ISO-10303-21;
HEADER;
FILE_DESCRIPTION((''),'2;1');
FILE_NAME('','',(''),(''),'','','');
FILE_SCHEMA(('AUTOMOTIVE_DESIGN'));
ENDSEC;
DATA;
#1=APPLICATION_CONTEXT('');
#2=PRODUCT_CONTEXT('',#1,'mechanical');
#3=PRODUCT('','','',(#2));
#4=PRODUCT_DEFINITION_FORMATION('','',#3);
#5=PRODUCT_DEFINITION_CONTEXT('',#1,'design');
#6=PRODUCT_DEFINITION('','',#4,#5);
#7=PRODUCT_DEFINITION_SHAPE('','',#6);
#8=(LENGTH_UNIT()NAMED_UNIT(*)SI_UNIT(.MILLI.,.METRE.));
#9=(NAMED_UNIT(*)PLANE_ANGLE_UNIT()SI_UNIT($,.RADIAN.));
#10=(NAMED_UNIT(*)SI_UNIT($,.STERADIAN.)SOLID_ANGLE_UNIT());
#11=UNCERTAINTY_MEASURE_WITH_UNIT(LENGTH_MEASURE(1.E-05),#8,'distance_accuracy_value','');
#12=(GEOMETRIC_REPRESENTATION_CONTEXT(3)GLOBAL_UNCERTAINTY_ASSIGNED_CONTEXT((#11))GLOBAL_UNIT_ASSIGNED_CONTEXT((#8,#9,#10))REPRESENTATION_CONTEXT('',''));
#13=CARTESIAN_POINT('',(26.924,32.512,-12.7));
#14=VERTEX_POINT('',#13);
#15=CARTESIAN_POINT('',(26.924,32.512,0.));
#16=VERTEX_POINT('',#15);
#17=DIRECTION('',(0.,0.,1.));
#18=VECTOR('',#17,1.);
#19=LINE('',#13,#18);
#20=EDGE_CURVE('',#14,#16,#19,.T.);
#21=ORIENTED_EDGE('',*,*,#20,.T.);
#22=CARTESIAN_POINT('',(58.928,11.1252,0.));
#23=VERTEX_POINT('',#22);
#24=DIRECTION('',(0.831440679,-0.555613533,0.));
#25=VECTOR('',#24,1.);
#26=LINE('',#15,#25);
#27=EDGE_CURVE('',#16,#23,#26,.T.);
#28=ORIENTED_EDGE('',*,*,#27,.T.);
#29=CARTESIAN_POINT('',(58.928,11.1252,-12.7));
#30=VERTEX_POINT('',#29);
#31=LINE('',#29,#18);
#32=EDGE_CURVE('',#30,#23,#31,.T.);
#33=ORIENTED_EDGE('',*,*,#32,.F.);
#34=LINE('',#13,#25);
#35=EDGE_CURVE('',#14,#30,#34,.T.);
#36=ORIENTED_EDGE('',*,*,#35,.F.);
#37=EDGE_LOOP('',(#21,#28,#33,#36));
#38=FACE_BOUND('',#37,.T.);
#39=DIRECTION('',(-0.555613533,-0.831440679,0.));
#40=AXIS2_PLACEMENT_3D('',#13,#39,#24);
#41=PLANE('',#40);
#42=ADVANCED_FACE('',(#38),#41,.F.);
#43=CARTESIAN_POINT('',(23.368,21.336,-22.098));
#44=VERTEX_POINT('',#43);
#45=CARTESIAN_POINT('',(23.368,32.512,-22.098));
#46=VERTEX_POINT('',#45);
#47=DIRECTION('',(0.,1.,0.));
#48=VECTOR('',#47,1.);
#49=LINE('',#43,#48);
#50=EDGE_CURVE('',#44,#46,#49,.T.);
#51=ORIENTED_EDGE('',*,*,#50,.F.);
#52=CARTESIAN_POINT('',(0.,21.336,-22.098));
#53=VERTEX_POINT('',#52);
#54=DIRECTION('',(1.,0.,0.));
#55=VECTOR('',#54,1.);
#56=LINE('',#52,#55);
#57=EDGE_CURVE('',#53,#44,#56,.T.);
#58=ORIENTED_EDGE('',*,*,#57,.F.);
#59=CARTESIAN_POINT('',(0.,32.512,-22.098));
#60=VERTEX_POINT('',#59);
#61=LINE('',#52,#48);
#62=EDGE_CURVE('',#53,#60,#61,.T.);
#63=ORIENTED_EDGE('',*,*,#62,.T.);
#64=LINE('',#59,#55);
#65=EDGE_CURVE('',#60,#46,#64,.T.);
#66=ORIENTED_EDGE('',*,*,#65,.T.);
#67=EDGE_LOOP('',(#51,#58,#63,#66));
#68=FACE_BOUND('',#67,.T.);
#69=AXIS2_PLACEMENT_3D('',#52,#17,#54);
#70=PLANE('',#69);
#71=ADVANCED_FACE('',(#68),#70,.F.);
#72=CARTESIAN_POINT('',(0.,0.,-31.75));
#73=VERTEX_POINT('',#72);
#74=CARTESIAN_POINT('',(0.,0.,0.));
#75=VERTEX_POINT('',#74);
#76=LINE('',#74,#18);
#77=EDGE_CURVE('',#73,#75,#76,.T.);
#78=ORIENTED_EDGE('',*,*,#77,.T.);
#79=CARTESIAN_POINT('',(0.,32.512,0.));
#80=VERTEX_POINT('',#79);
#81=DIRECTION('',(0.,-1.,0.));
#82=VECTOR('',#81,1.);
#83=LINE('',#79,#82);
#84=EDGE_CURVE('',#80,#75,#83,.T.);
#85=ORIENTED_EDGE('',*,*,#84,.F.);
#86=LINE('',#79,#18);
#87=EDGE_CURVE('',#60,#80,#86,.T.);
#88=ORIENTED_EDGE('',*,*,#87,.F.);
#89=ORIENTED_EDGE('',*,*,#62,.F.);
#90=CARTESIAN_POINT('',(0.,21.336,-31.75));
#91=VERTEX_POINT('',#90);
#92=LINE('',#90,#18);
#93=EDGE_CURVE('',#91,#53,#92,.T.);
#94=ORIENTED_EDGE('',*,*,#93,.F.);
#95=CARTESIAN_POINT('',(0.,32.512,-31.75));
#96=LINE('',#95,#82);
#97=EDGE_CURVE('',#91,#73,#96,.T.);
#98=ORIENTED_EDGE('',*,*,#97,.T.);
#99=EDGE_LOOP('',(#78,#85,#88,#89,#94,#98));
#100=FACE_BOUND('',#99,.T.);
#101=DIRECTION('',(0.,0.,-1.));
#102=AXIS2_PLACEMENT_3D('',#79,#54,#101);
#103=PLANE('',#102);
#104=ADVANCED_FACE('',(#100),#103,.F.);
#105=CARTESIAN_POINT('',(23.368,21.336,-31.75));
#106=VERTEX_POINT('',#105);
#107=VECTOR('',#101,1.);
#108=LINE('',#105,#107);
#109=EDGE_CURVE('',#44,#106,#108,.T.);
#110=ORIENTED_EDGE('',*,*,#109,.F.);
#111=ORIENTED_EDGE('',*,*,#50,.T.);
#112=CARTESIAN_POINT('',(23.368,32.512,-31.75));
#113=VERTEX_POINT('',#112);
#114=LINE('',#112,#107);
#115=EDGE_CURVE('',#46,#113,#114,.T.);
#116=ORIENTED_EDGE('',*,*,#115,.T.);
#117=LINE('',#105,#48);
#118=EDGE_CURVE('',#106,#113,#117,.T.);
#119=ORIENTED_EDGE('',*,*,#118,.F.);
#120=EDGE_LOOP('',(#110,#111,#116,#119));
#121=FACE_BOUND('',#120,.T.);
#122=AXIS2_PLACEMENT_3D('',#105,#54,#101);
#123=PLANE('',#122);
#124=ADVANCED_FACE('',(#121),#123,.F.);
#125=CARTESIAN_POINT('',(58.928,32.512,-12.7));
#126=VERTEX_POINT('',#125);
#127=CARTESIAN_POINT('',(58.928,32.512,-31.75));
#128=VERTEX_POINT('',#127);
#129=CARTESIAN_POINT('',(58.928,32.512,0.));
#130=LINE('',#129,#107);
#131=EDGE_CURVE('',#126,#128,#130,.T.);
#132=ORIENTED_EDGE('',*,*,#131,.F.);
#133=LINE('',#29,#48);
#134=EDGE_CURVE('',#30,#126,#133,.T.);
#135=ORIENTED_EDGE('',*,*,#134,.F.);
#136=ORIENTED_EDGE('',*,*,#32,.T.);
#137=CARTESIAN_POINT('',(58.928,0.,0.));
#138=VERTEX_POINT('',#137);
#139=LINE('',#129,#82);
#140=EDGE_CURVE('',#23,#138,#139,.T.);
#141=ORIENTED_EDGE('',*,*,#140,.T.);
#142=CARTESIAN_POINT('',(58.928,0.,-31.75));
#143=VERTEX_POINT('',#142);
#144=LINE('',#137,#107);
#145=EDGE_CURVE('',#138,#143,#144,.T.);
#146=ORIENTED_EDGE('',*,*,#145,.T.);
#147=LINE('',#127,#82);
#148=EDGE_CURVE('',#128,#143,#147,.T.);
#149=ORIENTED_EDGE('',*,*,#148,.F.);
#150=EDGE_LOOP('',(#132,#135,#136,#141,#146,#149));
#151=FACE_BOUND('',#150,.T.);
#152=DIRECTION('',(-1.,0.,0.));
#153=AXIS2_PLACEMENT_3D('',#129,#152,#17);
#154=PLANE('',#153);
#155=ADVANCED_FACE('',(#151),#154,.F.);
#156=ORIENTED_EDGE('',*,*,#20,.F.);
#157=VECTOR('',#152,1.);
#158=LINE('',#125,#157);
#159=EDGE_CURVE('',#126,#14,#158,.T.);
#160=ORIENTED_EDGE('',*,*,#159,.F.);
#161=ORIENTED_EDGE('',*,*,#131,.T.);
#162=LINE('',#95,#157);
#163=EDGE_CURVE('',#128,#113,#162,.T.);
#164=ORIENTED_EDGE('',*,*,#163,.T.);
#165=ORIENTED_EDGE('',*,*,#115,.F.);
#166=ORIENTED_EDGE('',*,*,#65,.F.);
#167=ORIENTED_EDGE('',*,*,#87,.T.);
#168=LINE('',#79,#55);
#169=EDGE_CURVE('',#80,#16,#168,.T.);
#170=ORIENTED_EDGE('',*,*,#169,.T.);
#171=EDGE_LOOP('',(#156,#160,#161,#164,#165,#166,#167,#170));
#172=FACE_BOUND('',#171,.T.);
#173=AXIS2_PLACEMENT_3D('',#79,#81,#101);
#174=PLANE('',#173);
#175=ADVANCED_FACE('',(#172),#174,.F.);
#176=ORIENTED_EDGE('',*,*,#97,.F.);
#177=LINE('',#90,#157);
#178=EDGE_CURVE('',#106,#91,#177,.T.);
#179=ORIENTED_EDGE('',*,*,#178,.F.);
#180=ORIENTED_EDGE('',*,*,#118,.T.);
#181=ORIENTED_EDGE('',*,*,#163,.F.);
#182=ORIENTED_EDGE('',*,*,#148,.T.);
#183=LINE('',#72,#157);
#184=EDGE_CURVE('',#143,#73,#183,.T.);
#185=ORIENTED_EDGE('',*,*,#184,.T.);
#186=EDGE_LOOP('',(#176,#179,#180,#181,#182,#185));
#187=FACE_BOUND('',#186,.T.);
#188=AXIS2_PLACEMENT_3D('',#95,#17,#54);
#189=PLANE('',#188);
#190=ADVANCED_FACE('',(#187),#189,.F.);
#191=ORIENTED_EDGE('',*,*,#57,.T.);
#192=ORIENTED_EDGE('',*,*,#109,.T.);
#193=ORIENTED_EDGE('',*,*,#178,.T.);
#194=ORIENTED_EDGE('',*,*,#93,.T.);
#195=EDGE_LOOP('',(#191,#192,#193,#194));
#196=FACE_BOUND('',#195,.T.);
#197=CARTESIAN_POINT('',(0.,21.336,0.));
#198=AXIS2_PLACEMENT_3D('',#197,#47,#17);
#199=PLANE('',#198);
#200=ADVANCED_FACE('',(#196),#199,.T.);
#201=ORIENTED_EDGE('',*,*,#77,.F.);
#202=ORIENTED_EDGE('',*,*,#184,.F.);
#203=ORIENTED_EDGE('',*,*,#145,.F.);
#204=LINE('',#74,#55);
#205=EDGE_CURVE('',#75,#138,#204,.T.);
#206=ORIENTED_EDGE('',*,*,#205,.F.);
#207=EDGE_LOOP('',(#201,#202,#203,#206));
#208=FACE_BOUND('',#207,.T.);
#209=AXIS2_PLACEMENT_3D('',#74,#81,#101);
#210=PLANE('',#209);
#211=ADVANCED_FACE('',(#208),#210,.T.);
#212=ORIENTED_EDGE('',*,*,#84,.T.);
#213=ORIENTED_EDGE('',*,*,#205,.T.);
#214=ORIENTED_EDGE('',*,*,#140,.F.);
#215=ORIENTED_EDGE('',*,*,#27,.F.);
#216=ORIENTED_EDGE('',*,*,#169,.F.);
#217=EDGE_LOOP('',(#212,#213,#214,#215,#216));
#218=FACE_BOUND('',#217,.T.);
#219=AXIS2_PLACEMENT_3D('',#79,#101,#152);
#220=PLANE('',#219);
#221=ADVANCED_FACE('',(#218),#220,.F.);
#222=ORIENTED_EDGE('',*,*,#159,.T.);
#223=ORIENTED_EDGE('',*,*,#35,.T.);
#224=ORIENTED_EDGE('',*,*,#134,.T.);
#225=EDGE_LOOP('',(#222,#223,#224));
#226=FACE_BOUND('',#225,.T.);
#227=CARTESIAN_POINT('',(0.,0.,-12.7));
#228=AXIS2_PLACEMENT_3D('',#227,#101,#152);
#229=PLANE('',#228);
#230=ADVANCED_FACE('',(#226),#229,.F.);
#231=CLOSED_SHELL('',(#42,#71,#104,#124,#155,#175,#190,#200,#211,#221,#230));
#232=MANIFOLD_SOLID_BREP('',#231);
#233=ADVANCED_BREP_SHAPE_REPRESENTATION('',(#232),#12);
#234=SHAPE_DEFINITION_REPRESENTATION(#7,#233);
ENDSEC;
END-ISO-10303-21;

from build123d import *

# Parameters (mm, degrees)
SKETCH1_W           = 58.928
SKETCH1_H           = 31.75
BOSS_EXTRUDE1_DEPTH = 32.512
CUT_EXTRUDE1_DEPTH  = 12.7
SKETCH4_W           = 23.368
SKETCH4_H           = 9.652
CUT_EXTRUDE2_DEPTH  = 11.176


with BuildPart() as part:
    # Sketch1 → Boss-Extrude1 (new body)
    with BuildSketch(Plane(origin=(0, 0, 0), x_dir=(1, 0, 0), z_dir=(0, 1, 0))):
        with Locations((29.464, 15.875)):
            Rectangle(SKETCH1_W, SKETCH1_H)
    extrude(amount=BOSS_EXTRUDE1_DEPTH)

    # Sketch3 → Cut-Extrude1 (cut)
    with BuildSketch(Plane.XY):
        Polygon((26.924, 32.512), (58.928, 11.1252), (58.928, 32.512), align=None)
    extrude(amount=-CUT_EXTRUDE1_DEPTH, mode=Mode.SUBTRACT)

    # Sketch4 → Cut-Extrude2 (cut)
    with BuildSketch(Plane(origin=(0, 32.512, 0), x_dir=(1, 0, 0), z_dir=(0, 1, 0))):
        with Locations((11.684, 26.924)):
            Rectangle(SKETCH4_W, SKETCH4_H)
    extrude(amount=-CUT_EXTRUDE2_DEPTH, mode=Mode.SUBTRACT)


solid = part.part
